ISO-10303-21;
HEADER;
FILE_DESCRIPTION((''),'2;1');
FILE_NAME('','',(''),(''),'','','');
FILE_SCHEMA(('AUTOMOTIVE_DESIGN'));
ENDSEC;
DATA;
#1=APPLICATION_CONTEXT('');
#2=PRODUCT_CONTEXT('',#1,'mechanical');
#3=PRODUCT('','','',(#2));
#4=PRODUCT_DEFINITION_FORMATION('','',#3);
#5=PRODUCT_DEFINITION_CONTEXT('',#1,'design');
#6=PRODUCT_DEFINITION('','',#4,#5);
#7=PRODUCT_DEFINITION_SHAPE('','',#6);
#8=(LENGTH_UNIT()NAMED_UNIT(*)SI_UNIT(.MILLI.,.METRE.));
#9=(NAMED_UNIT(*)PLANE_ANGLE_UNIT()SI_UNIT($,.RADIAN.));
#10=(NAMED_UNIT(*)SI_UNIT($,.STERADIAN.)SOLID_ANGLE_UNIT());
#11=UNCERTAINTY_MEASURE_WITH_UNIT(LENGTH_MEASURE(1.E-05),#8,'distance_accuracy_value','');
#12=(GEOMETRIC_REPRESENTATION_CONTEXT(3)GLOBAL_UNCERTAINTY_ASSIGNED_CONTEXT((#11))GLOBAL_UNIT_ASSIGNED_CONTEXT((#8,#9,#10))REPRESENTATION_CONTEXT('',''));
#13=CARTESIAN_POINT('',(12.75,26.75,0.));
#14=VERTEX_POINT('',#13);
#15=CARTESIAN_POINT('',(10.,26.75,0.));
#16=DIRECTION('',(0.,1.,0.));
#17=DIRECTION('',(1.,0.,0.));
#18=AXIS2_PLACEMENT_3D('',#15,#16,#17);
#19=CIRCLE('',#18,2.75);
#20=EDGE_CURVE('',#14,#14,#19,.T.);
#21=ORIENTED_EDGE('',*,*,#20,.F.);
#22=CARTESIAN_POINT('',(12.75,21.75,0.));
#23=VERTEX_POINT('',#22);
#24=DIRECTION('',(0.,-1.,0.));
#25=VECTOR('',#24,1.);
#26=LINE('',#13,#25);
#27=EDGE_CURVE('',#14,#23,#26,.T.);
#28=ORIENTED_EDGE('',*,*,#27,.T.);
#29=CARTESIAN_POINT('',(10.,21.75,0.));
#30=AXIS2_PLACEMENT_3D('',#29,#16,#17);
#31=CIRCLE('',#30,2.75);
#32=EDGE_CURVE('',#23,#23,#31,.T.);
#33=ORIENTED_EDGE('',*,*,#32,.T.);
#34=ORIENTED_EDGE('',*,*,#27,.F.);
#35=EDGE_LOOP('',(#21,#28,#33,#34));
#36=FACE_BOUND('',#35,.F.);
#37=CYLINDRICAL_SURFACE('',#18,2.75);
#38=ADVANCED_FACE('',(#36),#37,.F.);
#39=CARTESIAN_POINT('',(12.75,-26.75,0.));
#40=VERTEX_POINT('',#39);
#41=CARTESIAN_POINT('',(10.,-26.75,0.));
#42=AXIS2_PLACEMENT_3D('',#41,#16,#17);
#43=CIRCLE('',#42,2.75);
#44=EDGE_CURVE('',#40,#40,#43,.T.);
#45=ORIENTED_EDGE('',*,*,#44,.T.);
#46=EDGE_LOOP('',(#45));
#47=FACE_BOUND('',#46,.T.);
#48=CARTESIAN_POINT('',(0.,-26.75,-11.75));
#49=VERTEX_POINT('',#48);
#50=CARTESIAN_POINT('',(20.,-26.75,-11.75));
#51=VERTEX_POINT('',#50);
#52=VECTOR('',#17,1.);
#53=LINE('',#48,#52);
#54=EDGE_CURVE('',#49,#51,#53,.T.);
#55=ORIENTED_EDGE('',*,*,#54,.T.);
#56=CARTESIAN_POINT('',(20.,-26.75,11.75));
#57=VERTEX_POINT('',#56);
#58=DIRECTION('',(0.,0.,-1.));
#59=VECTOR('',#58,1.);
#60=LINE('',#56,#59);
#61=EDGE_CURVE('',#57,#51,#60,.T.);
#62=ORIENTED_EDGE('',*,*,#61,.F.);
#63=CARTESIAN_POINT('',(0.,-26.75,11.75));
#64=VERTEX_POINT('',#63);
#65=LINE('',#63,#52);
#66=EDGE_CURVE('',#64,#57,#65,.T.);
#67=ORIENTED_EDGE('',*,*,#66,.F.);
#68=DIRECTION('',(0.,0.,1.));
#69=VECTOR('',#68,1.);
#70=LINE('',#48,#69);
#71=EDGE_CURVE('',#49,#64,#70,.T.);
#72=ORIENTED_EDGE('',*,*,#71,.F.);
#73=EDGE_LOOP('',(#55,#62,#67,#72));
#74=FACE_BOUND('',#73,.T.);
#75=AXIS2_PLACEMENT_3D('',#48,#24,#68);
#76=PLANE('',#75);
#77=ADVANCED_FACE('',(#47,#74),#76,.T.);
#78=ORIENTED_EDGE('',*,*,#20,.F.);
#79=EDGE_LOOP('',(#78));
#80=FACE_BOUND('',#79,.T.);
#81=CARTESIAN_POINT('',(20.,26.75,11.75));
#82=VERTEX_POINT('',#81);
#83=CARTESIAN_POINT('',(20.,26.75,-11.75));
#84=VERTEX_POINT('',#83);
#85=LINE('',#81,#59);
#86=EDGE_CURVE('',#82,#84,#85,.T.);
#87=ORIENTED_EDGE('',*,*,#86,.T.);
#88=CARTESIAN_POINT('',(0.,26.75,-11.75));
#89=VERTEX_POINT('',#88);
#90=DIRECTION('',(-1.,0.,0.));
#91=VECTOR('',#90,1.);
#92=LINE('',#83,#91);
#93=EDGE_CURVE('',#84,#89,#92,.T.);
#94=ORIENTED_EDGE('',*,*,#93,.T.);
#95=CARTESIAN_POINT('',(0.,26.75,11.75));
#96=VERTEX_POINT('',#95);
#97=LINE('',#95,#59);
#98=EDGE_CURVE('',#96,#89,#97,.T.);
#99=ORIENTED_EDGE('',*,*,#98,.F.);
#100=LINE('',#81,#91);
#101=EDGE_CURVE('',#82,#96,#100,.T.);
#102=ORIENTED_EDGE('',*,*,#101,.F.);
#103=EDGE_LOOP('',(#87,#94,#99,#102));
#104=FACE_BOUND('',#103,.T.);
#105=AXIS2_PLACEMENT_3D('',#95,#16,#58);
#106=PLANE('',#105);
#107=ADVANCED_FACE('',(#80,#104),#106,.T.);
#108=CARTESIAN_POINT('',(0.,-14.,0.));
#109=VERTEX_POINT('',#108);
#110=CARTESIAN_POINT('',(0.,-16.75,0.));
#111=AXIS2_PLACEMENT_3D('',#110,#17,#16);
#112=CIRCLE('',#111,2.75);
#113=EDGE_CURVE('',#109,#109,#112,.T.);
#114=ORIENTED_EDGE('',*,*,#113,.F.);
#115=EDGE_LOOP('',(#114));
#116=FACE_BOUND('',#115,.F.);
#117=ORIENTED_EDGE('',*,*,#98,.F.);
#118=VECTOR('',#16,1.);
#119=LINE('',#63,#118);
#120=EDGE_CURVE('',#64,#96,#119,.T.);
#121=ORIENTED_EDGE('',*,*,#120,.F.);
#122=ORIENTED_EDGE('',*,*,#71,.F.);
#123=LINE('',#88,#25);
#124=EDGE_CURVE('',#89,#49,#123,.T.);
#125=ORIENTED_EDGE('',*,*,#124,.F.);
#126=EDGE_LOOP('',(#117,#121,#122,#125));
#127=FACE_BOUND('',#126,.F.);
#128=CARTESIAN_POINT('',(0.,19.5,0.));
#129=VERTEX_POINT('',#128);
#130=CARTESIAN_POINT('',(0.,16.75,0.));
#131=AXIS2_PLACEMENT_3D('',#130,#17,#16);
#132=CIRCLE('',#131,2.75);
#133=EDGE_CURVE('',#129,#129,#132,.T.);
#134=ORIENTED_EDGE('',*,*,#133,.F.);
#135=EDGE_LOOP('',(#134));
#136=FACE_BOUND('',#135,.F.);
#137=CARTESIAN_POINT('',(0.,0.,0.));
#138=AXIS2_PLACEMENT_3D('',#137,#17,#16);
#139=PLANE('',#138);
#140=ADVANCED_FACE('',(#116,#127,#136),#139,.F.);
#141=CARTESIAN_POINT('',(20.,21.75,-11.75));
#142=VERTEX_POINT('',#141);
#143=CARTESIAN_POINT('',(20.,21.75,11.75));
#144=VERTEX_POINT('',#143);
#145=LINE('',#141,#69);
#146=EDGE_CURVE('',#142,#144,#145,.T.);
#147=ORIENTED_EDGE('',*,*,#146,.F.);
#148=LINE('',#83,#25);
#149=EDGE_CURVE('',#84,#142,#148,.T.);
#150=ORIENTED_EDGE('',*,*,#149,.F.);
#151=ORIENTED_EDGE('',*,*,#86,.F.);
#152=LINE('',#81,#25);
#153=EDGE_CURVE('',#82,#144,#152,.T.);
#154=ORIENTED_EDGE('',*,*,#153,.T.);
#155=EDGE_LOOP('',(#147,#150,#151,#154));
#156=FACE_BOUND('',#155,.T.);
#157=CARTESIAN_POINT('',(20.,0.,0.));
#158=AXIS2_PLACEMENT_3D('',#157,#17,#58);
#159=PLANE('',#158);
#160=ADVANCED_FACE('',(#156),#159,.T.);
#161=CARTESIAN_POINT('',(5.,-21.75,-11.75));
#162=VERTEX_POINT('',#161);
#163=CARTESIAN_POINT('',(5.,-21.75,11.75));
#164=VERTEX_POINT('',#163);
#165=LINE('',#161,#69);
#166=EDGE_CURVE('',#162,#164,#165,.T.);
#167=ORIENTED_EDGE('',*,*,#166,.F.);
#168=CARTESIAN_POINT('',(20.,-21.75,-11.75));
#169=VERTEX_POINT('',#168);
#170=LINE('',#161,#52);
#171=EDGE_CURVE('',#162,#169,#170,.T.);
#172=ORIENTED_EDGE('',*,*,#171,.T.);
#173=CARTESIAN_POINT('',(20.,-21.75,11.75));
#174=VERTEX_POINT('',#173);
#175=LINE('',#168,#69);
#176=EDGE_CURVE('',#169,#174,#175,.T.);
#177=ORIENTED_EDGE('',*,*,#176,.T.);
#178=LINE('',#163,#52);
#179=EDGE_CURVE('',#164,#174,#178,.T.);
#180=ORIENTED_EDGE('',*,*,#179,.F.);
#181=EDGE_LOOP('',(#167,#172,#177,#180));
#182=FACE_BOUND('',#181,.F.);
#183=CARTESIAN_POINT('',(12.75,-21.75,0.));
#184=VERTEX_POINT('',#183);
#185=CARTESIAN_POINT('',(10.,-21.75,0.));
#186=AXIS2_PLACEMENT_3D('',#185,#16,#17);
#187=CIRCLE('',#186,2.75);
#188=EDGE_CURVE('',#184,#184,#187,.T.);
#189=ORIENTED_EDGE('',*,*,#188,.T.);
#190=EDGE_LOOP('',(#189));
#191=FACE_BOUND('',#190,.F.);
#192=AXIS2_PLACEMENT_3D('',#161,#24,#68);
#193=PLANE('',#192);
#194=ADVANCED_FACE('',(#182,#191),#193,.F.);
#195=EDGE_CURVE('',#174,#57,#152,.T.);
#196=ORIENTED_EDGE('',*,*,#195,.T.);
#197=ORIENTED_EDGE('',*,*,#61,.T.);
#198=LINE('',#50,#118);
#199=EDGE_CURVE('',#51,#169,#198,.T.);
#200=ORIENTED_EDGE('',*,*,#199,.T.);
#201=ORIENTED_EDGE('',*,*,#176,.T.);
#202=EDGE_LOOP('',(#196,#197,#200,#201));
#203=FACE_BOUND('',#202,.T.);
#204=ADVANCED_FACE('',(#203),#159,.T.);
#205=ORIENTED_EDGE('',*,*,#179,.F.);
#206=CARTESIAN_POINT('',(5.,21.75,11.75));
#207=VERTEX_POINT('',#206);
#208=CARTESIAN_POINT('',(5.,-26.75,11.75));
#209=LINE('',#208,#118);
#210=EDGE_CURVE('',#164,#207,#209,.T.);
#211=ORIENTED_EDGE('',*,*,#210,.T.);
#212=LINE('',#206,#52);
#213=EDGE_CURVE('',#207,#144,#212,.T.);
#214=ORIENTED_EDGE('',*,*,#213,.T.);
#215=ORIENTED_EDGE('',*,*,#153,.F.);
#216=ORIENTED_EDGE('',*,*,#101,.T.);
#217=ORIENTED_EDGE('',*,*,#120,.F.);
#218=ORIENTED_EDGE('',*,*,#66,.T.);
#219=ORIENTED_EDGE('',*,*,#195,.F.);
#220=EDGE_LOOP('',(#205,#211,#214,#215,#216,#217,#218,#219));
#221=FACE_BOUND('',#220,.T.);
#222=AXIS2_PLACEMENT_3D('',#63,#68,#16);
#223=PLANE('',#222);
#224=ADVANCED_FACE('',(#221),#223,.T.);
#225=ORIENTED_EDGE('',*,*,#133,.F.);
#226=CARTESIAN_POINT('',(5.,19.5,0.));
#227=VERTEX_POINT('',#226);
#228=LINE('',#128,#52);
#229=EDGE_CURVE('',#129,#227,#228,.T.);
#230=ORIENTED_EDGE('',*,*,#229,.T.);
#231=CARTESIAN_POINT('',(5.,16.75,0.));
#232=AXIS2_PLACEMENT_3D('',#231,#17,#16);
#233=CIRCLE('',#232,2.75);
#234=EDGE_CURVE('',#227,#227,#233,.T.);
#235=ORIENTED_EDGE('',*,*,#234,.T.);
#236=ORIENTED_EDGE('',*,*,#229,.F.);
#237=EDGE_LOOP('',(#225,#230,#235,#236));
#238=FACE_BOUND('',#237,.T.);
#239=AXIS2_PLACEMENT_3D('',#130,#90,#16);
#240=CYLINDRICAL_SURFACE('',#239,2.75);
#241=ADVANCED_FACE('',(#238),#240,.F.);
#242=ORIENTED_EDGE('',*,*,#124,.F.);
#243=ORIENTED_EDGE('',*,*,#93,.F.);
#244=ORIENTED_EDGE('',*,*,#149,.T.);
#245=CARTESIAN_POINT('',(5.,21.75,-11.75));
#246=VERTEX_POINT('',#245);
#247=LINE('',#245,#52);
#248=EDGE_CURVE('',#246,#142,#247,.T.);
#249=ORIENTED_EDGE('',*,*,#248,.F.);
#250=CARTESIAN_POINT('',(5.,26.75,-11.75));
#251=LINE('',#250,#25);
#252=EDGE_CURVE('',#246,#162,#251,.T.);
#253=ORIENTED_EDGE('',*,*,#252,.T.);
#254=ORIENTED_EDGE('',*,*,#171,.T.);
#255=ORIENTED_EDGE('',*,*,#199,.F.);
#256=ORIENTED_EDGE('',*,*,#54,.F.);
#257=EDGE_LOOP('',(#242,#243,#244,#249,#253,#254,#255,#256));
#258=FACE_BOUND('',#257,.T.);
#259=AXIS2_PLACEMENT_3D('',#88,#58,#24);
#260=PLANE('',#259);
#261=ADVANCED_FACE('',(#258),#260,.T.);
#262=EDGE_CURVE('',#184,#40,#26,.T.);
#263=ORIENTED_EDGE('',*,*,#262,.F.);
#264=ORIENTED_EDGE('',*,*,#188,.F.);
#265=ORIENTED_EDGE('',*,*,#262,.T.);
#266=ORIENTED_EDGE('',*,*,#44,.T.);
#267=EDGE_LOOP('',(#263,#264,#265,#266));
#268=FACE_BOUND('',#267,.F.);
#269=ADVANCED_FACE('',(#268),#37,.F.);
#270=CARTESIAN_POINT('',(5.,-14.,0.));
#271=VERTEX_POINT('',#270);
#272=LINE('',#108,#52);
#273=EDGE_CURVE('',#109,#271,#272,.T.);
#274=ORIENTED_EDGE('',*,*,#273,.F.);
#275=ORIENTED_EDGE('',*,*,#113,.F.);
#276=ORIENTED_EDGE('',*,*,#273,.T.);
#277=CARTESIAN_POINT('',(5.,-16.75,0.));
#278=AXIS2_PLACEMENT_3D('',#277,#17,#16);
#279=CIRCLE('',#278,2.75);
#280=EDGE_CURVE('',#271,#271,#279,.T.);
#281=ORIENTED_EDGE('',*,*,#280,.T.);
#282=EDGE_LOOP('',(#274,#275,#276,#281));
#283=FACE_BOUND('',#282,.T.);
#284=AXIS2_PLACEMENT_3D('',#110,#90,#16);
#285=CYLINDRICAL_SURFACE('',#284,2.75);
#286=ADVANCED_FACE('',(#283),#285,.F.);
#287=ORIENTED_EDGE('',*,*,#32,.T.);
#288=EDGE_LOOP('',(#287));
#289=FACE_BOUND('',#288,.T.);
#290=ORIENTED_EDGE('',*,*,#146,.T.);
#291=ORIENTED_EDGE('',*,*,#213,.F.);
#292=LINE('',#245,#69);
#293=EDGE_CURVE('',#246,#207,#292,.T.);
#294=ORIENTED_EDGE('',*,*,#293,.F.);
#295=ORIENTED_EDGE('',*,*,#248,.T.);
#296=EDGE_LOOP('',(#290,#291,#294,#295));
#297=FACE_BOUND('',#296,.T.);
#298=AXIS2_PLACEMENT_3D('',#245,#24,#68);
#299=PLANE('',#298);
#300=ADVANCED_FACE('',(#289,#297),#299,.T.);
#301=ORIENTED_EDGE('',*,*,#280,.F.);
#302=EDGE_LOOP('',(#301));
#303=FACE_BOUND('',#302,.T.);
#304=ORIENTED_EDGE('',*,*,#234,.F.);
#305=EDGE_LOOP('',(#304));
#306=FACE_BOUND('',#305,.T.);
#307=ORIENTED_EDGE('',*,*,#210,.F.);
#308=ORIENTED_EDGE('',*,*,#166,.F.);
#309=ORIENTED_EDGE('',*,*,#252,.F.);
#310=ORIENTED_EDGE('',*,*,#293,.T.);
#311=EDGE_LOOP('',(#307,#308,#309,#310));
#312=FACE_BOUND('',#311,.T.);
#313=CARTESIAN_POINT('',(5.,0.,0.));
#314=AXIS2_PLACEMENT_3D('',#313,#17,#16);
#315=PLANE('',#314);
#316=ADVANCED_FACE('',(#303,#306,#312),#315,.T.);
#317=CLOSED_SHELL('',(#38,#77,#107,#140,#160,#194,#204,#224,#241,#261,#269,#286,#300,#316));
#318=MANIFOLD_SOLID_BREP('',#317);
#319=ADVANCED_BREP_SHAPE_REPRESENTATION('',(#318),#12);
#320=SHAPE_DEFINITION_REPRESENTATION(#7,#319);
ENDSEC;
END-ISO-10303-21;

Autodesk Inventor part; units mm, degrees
ref_plane "YZ Plane" through (0, 0, 0) normal (1, 0, 0) x (0, 1, 0)
ref_plane "XZ Plane" through (0, 0, 0) normal (0, 1, 0) x (-1, 0, 0)
ref_plane "XY Plane" through (0, 0, 0) normal (0, 0, 1) x (1, 0, 0)
sketch "Sketch1" plane through (0, 0, 0) normal (1, 0, 0) x (0, 1, 0)
  line L0 (-26.75, 11.75) -> (26.75, 11.75)
  line L1 (26.75, 11.75) -> (26.75, -11.75)
  line L2 (26.75, -11.75) -> (-26.75, -11.75)
  line L3 (-26.75, -11.75) -> (-26.75, 11.75)
  line L4 (-26.75, 11.75) -> (26.75, -11.75) construction
  line L5 (26.75, 11.75) -> (-26.75, -11.75) construction
  circle A0 centre (16.75, 0) radius 2.75
  circle A1 centre (-16.75, 0) radius 2.75
  point P0 (0, 0)
  dimension "d0" = 53.5
  dimension "d1" = 23.5
  dimension "d2" = 5.5
  dimension "d3" = 5.5
  dimension "d4" = 10
  dimension "d5" = 10
  dimension "d6" = 11.75
  dimension "d7" = 11.75
extrude "Extrusion1" add sketch "Sketch1" along normal blind 5
sketch "Sketch2" plane through (5, 0, 0) normal (1, 0, 0) x (0, 0, -1)
  line L0 (-11.75, 26.75) -> (-11.75, -26.75) projected
  line L1 (-11.75, 26.75) -> (11.75, 26.75)
  line L2 (11.75, 26.75) -> (11.75, 21.75)
  line L3 (11.75, 21.75) -> (-11.75, 21.75)
  line L4 (-11.75, 21.75) -> (-11.75, 26.75)
  line L5 (-11.75, -26.75) -> (11.75, -26.75) projected
  line L6 (-11.75, -26.75) -> (11.75, -26.75)
  line L7 (11.75, -26.75) -> (11.75, -21.75)
  line L8 (11.75, -21.75) -> (-11.75, -21.75)
  line L9 (-11.75, -21.75) -> (-11.75, -26.75)
  point P0 (0, 0)
  dimension "d10" = 23.5
  dimension "d11" = 5
  dimension "d12" = 23.5
  dimension "d13" = 5
extrude "Extrusion2" add sketch "Sketch2" along normal blind 15
sketch "Sketch3" plane through (0, 26.75, 11.75) normal (0, 1, 0) x (1, 0, 0)
  circle A0 centre (10, 11.75) radius 2.75
  line L0 (0, 0) -> (0, 23.5) projected
  line L1 (0, 0) -> (20, 0) projected
  point P0 (0, 11.75)
  dimension "d16" = 5.5
  dimension "d17" = 10
  dimension "d18" = 11.75
extrude "Extrusion3" cut sketch "Sketch3" against normal up to surface (53.5 mm away)
properties part number "Extrusion ends" material "Aluminum 6061"
